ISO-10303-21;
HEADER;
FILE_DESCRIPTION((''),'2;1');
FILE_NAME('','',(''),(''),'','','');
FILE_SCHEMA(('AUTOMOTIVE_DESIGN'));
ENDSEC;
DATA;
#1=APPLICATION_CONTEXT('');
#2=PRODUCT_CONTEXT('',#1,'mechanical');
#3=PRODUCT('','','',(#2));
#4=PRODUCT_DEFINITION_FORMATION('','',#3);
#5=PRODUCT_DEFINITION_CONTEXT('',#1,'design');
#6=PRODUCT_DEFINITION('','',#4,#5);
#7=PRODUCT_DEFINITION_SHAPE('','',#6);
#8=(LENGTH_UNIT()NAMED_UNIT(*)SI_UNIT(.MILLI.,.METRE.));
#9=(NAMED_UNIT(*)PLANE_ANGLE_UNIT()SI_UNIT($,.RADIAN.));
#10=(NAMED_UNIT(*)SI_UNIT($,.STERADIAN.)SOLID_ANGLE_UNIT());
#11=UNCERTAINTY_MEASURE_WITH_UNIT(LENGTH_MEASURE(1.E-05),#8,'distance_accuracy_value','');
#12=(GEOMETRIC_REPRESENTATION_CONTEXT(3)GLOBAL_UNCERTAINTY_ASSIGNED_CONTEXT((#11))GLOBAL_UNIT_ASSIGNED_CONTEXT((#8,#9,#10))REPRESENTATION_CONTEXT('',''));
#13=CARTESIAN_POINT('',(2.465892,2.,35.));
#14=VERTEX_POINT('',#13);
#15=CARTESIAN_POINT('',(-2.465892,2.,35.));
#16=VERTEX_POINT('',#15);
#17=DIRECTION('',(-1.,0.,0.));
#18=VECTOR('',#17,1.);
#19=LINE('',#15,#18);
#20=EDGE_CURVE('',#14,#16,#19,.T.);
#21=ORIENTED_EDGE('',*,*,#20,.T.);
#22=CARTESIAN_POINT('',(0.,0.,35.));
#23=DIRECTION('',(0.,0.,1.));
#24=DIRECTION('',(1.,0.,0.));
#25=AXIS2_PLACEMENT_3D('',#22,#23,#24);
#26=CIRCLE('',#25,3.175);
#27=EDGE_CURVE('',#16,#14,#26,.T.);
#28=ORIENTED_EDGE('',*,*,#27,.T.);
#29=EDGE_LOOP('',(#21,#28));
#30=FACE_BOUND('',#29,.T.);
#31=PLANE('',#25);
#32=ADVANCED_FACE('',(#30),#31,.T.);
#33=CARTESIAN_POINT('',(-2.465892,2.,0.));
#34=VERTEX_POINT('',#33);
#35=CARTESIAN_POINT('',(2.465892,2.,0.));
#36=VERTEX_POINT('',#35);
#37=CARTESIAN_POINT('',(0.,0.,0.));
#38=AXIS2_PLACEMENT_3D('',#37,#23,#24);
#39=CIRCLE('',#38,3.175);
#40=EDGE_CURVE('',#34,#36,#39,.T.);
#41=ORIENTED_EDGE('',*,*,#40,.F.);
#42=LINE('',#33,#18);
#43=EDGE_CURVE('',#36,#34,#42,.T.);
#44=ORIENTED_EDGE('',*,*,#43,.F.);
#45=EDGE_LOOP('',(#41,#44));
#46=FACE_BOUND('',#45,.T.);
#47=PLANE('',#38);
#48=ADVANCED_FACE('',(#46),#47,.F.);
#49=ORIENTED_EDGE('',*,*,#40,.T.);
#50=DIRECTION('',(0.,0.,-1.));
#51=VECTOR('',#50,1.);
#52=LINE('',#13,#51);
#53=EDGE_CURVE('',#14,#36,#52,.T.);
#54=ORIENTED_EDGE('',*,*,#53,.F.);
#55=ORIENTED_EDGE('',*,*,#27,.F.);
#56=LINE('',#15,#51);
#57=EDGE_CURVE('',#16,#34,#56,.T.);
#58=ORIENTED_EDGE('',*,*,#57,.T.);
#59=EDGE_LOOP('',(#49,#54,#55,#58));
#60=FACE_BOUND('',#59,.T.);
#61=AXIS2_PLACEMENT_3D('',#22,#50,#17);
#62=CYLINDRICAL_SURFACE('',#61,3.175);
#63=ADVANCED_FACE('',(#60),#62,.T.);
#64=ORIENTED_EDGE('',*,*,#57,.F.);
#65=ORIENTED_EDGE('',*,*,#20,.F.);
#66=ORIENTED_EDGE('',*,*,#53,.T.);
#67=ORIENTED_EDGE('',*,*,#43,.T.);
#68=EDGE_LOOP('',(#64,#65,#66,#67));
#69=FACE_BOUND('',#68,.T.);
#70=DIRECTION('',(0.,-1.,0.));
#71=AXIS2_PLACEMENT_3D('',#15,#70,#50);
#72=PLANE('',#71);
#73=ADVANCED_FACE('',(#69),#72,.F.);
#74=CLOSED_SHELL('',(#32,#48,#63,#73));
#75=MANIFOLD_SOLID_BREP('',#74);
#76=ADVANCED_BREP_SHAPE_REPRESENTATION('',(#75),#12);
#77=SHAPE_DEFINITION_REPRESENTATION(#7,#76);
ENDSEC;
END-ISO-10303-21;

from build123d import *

# Parameters (mm, degrees)
BOSS_EXTRUDE1_DEPTH = 35


with BuildPart() as part:
    # Sketch2 → Boss-Extrude1 (new body)
    with BuildSketch(Plane.XY):
        with BuildLine():
            Line((-2.465892333, 2), (2.465892333, 2))
            ThreePointArc((2.465892333, 2), (0, -3.175), (-2.465892333, 2))
        make_face()
    extrude(amount=BOSS_EXTRUDE1_DEPTH)


solid = part.part
